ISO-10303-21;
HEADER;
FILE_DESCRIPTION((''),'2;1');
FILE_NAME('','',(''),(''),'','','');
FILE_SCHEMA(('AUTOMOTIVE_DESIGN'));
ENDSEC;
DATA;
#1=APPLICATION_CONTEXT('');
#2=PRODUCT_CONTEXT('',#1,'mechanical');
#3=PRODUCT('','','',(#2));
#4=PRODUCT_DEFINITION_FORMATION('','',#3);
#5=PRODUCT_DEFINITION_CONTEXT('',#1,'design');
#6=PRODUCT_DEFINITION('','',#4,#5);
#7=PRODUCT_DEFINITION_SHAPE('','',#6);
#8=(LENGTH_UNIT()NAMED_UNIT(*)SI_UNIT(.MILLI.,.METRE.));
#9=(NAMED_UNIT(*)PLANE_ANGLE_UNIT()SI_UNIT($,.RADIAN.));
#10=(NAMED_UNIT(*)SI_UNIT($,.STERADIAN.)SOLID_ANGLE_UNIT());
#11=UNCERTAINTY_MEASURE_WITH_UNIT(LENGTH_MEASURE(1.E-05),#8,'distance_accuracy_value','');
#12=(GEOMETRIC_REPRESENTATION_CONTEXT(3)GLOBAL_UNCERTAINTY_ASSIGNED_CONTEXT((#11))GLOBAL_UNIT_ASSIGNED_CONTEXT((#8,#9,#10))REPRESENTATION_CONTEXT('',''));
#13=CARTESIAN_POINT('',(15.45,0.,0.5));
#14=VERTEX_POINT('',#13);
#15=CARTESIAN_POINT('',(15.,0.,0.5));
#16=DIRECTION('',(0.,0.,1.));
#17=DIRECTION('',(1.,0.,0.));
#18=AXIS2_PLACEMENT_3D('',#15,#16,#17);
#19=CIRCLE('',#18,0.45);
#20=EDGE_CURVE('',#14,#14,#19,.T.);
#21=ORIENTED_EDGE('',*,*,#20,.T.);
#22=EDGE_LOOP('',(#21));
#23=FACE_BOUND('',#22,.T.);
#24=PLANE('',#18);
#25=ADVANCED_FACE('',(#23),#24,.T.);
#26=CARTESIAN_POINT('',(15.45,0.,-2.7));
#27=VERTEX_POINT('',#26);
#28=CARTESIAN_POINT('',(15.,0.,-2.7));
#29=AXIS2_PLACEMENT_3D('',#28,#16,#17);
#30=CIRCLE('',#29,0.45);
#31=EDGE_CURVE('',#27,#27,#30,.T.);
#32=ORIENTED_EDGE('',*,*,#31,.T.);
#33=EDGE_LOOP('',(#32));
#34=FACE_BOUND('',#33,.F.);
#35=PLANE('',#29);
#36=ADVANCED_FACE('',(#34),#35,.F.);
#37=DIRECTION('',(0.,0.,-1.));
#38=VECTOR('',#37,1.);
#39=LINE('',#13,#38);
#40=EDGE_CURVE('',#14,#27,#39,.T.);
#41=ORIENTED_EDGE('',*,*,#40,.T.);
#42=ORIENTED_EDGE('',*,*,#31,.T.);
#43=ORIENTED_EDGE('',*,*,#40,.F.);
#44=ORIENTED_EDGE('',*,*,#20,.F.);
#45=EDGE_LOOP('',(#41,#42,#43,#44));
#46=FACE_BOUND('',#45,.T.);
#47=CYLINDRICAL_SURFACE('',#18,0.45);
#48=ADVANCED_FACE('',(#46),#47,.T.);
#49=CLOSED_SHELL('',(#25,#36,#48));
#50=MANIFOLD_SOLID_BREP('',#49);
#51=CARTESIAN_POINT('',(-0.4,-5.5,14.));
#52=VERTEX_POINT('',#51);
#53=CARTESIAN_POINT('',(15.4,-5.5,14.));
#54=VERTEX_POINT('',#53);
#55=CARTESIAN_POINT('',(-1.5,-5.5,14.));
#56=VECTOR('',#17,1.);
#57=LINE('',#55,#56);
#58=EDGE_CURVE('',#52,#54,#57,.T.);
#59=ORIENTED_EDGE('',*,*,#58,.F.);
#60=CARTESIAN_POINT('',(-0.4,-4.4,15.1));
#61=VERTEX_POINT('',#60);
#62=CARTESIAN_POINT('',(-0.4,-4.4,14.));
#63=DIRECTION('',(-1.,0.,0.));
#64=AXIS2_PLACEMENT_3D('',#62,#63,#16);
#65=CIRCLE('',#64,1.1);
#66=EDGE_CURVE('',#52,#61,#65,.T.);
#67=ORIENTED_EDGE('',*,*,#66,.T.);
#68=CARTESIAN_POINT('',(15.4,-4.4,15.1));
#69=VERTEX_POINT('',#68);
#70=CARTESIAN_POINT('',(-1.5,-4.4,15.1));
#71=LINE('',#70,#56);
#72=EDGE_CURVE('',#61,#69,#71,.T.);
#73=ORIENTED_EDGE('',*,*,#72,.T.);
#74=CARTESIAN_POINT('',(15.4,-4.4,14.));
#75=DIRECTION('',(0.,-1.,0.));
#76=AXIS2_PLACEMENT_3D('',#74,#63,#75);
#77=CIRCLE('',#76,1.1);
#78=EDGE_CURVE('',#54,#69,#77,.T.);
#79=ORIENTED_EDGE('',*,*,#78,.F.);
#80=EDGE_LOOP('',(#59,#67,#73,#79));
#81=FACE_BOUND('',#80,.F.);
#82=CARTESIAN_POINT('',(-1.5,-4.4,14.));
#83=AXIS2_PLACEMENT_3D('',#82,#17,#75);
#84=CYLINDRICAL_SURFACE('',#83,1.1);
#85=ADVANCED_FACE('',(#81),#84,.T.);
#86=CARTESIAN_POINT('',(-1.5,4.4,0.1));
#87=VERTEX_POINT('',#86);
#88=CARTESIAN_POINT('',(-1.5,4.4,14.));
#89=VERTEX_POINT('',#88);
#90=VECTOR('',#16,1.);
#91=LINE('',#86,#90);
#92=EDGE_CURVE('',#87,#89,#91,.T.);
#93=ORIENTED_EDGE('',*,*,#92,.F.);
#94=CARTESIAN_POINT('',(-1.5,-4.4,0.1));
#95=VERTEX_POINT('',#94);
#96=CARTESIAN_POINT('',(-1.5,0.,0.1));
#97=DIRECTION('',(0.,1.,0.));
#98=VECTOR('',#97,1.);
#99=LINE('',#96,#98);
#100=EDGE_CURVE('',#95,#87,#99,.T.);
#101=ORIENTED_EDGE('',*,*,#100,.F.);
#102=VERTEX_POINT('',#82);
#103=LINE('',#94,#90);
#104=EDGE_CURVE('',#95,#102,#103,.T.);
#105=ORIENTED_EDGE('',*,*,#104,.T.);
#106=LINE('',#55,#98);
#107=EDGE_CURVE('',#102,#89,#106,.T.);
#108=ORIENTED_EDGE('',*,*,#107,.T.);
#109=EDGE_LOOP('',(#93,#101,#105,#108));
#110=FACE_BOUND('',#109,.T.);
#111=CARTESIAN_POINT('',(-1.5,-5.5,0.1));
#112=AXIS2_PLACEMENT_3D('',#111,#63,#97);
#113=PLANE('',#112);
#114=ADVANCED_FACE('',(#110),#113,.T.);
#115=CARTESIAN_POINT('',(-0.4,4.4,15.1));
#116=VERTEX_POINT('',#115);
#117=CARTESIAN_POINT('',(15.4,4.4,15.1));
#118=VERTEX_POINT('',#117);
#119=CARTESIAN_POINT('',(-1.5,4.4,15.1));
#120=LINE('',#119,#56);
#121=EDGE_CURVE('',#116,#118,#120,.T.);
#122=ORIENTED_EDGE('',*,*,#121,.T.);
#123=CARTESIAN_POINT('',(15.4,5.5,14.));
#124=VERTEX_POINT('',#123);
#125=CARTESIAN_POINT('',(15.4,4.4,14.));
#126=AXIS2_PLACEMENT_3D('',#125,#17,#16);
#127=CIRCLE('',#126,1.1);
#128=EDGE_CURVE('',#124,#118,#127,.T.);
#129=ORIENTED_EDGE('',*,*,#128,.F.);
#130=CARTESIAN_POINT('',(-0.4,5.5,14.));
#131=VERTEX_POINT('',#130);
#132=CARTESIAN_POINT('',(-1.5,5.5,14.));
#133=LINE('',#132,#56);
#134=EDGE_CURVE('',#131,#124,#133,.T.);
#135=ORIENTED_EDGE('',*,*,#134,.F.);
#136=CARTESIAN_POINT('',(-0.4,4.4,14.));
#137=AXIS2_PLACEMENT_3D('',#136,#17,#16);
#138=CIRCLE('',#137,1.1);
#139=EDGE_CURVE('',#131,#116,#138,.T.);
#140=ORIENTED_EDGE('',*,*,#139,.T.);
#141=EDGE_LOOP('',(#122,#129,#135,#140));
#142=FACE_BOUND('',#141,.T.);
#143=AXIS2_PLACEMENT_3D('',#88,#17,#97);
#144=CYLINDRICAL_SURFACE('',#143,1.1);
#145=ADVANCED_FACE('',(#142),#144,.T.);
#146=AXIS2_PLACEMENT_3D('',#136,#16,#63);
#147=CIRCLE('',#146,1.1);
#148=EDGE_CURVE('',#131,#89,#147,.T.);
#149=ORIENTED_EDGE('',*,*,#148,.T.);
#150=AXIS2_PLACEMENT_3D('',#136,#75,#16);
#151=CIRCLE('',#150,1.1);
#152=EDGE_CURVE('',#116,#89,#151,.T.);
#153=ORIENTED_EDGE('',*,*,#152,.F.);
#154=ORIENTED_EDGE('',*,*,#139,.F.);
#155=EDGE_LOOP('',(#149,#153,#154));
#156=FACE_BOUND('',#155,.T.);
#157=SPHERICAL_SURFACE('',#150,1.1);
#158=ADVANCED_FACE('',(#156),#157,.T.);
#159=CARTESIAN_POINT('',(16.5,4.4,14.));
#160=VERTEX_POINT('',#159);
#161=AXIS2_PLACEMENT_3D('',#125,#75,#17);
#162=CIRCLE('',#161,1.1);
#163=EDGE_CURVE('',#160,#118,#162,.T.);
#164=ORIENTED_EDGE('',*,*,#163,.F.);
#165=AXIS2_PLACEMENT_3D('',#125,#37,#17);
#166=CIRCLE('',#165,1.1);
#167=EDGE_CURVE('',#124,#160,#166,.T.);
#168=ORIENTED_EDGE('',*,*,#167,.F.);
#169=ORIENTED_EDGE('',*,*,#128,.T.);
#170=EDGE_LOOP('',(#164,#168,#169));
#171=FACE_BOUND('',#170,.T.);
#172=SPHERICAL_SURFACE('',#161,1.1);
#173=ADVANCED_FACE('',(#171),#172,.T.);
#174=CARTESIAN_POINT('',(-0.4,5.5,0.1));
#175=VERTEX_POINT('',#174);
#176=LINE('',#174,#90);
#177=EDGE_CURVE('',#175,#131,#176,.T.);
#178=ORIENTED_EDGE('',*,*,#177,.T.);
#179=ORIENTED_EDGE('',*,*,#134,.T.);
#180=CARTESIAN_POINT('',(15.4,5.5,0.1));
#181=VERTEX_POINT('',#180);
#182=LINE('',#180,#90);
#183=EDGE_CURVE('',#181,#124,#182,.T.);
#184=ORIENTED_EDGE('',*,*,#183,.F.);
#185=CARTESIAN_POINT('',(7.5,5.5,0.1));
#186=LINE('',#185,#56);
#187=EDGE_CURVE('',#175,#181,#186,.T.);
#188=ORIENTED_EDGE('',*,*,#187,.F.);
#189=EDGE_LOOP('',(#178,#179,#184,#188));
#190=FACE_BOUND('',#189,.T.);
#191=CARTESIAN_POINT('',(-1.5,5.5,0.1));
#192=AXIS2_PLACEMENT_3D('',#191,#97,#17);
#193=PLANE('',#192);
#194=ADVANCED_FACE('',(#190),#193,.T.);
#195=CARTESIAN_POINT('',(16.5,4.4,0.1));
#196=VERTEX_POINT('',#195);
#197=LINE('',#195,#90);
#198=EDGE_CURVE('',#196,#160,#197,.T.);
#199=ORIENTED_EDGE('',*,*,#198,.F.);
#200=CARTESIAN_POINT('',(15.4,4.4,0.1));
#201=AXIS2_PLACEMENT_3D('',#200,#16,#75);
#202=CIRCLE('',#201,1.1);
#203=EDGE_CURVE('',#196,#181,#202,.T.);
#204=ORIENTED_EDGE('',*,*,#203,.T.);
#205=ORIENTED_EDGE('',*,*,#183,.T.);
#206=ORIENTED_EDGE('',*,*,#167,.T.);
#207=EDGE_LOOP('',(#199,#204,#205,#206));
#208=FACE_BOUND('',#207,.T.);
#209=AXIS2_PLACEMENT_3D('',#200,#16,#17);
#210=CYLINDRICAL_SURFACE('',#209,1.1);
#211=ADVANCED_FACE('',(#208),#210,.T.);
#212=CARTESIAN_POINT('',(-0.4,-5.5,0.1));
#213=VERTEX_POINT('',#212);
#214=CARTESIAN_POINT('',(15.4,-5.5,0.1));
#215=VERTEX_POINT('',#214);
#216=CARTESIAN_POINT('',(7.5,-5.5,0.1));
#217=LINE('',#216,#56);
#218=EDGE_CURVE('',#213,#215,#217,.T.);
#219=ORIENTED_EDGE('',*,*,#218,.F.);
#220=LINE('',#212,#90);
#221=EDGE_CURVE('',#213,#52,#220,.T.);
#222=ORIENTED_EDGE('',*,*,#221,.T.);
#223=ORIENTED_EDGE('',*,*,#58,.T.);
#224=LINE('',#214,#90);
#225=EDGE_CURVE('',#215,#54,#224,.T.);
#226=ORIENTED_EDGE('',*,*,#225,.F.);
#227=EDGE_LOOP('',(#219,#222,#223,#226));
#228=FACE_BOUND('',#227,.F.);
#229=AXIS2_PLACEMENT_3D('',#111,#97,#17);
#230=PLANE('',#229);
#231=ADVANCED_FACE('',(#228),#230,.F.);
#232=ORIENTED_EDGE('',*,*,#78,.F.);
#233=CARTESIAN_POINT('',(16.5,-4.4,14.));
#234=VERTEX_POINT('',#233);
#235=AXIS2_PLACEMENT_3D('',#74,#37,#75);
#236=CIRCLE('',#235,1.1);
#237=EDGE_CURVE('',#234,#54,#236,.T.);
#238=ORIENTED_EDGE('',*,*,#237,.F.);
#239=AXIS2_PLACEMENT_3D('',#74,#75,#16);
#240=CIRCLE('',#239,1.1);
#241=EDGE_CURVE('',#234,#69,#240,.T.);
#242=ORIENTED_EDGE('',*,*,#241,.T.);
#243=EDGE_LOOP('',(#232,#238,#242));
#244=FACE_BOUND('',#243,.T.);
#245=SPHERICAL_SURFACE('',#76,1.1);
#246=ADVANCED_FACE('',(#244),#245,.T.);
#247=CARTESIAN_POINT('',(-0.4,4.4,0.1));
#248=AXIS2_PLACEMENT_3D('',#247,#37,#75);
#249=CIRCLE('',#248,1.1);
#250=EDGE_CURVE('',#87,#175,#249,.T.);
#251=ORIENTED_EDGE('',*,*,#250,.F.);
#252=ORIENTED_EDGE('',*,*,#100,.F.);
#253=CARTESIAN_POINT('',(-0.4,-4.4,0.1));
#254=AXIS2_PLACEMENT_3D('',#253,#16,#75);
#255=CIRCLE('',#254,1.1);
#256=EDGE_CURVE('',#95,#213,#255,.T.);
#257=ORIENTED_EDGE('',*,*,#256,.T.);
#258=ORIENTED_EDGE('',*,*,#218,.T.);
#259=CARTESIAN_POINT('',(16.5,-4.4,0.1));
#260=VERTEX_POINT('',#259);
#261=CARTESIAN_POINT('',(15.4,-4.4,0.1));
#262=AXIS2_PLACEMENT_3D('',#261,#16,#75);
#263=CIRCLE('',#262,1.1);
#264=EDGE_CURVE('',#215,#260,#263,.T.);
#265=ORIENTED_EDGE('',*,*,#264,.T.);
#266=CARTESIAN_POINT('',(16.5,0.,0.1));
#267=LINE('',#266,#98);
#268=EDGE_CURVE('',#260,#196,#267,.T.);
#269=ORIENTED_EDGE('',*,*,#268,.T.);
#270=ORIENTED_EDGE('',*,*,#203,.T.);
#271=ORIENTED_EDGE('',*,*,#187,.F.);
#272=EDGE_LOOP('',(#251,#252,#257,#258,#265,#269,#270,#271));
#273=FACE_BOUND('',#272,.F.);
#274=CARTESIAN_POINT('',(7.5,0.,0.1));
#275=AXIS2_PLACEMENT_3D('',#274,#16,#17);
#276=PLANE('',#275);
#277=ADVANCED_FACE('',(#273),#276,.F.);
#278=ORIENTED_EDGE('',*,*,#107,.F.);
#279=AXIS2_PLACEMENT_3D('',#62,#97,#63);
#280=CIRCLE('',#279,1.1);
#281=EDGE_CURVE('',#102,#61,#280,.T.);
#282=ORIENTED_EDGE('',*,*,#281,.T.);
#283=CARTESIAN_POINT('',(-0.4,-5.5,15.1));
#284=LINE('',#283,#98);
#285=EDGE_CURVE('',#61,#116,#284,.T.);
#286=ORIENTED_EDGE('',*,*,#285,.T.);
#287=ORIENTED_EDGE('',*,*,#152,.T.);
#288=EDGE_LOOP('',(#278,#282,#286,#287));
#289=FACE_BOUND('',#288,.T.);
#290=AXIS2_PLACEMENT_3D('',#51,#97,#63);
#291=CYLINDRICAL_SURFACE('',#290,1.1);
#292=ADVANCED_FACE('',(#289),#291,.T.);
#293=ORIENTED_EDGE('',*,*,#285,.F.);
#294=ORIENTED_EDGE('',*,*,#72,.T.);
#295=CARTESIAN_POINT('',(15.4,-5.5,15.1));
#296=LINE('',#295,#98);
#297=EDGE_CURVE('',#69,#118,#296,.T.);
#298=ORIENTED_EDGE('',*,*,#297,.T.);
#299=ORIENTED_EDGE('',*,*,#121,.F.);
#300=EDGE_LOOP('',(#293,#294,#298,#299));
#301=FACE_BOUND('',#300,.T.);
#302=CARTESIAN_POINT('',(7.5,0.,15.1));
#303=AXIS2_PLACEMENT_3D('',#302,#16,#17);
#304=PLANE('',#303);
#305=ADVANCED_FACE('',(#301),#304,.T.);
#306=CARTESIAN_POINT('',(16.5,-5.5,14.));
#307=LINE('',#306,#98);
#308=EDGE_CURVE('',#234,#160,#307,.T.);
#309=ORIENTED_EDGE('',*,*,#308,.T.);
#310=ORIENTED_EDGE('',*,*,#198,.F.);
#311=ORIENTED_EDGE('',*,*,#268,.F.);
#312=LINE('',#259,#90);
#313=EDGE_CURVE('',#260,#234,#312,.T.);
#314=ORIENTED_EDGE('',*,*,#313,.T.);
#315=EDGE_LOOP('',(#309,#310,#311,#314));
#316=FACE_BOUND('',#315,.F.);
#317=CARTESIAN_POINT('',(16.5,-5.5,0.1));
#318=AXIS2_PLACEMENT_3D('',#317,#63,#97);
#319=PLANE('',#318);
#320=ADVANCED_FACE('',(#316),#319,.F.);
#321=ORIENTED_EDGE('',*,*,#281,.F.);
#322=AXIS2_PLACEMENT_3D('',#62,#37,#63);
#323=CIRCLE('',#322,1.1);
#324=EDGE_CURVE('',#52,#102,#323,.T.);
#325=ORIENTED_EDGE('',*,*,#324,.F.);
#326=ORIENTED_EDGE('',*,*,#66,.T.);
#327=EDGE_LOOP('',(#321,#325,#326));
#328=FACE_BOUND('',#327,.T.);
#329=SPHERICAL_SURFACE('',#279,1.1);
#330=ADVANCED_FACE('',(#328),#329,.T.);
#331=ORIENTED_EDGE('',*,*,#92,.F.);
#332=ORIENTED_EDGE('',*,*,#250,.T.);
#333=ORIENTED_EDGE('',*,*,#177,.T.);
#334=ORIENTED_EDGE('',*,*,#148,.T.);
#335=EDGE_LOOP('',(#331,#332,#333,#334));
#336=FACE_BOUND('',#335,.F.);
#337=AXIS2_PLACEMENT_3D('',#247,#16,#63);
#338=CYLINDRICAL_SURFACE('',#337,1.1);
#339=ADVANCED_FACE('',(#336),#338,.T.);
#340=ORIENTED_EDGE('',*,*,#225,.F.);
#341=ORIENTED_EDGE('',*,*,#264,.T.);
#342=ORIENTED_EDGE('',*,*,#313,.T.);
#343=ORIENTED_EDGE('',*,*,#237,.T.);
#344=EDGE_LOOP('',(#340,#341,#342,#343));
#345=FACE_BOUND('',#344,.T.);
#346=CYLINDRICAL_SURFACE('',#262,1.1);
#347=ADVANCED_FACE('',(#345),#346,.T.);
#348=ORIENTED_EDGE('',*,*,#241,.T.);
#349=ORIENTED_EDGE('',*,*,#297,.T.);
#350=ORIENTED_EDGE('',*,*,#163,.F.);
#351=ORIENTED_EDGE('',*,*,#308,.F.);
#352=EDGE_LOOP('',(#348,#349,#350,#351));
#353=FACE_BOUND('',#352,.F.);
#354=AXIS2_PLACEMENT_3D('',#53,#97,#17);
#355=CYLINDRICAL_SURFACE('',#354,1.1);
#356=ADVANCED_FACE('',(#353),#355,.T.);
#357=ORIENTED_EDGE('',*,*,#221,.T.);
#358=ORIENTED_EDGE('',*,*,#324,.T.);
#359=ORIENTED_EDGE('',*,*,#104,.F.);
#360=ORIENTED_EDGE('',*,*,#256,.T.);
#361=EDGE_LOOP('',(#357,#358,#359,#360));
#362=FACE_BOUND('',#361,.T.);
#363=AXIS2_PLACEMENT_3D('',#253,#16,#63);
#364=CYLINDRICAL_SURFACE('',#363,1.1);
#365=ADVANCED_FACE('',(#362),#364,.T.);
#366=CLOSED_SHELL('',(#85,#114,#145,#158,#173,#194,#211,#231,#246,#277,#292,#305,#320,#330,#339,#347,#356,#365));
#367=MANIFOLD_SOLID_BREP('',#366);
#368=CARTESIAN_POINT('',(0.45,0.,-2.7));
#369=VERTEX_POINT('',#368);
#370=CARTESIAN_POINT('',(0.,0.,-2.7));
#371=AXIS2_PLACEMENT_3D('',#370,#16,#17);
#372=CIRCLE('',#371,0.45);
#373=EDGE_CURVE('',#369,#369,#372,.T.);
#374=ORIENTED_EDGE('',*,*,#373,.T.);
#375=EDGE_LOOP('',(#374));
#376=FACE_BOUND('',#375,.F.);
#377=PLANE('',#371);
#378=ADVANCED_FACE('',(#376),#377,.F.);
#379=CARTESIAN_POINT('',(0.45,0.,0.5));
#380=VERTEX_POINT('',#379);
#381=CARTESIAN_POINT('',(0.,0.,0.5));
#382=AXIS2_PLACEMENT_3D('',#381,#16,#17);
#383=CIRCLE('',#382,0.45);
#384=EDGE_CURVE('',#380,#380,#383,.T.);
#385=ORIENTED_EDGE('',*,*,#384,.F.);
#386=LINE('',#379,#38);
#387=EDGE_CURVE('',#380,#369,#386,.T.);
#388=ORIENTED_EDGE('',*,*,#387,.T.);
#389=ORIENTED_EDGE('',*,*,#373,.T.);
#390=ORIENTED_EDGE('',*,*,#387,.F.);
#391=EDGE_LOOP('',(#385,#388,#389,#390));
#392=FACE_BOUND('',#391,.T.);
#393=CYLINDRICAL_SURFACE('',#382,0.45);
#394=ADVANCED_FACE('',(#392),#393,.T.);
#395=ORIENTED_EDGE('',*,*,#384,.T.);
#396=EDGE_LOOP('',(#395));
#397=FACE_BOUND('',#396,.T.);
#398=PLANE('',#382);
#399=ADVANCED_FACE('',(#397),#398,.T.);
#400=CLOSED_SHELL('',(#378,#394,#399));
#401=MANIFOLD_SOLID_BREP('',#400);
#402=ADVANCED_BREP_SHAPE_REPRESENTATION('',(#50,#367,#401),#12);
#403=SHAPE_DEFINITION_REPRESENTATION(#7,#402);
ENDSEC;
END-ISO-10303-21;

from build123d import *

# Parameters (mm, degrees)
SKETCH_W     = 18
SKETCH_H     = 11
PAD_DEPTH    = 15
FILLET_R     = 1.1
SKETCH001_R  = 0.45
PAD001_DEPTH = 3.2


with BuildPart() as fillet_body:
    # Sketch → Pad (new body)
    with BuildSketch(Plane.XY.offset(0.1)):
        with Locations((7.5, 0)):
            Rectangle(SKETCH_W, SKETCH_H)
    extrude(amount=PAD_DEPTH)

    # Fillet
    fillet_edges = [fillet_body.edges().sort_by_distance(p)[0] for p in [
        (-1.5, 0, 15.1),
        (-1.5, -5.5, 7.6),
        (7.5, -5.5, 15.1),
        (16.5, -5.5, 7.6),
        (16.5, 0, 15.1),
        (16.5, 5.5, 7.6),
        (7.5, 5.5, 15.1),
        (-1.5, 5.5, 7.6),
    ]]
    fillet(fillet_edges, radius=FILLET_R)


with BuildPart() as pad001:
    # Sketch001 → Pad001 (new body)
    with BuildSketch(Plane.XY.offset(0.5)):
        Circle(SKETCH001_R)
        with Locations((15, 0)):
            Circle(SKETCH001_R)
    extrude(amount=-PAD001_DEPTH)


solid = Compound([fillet_body.part, pad001.part])
